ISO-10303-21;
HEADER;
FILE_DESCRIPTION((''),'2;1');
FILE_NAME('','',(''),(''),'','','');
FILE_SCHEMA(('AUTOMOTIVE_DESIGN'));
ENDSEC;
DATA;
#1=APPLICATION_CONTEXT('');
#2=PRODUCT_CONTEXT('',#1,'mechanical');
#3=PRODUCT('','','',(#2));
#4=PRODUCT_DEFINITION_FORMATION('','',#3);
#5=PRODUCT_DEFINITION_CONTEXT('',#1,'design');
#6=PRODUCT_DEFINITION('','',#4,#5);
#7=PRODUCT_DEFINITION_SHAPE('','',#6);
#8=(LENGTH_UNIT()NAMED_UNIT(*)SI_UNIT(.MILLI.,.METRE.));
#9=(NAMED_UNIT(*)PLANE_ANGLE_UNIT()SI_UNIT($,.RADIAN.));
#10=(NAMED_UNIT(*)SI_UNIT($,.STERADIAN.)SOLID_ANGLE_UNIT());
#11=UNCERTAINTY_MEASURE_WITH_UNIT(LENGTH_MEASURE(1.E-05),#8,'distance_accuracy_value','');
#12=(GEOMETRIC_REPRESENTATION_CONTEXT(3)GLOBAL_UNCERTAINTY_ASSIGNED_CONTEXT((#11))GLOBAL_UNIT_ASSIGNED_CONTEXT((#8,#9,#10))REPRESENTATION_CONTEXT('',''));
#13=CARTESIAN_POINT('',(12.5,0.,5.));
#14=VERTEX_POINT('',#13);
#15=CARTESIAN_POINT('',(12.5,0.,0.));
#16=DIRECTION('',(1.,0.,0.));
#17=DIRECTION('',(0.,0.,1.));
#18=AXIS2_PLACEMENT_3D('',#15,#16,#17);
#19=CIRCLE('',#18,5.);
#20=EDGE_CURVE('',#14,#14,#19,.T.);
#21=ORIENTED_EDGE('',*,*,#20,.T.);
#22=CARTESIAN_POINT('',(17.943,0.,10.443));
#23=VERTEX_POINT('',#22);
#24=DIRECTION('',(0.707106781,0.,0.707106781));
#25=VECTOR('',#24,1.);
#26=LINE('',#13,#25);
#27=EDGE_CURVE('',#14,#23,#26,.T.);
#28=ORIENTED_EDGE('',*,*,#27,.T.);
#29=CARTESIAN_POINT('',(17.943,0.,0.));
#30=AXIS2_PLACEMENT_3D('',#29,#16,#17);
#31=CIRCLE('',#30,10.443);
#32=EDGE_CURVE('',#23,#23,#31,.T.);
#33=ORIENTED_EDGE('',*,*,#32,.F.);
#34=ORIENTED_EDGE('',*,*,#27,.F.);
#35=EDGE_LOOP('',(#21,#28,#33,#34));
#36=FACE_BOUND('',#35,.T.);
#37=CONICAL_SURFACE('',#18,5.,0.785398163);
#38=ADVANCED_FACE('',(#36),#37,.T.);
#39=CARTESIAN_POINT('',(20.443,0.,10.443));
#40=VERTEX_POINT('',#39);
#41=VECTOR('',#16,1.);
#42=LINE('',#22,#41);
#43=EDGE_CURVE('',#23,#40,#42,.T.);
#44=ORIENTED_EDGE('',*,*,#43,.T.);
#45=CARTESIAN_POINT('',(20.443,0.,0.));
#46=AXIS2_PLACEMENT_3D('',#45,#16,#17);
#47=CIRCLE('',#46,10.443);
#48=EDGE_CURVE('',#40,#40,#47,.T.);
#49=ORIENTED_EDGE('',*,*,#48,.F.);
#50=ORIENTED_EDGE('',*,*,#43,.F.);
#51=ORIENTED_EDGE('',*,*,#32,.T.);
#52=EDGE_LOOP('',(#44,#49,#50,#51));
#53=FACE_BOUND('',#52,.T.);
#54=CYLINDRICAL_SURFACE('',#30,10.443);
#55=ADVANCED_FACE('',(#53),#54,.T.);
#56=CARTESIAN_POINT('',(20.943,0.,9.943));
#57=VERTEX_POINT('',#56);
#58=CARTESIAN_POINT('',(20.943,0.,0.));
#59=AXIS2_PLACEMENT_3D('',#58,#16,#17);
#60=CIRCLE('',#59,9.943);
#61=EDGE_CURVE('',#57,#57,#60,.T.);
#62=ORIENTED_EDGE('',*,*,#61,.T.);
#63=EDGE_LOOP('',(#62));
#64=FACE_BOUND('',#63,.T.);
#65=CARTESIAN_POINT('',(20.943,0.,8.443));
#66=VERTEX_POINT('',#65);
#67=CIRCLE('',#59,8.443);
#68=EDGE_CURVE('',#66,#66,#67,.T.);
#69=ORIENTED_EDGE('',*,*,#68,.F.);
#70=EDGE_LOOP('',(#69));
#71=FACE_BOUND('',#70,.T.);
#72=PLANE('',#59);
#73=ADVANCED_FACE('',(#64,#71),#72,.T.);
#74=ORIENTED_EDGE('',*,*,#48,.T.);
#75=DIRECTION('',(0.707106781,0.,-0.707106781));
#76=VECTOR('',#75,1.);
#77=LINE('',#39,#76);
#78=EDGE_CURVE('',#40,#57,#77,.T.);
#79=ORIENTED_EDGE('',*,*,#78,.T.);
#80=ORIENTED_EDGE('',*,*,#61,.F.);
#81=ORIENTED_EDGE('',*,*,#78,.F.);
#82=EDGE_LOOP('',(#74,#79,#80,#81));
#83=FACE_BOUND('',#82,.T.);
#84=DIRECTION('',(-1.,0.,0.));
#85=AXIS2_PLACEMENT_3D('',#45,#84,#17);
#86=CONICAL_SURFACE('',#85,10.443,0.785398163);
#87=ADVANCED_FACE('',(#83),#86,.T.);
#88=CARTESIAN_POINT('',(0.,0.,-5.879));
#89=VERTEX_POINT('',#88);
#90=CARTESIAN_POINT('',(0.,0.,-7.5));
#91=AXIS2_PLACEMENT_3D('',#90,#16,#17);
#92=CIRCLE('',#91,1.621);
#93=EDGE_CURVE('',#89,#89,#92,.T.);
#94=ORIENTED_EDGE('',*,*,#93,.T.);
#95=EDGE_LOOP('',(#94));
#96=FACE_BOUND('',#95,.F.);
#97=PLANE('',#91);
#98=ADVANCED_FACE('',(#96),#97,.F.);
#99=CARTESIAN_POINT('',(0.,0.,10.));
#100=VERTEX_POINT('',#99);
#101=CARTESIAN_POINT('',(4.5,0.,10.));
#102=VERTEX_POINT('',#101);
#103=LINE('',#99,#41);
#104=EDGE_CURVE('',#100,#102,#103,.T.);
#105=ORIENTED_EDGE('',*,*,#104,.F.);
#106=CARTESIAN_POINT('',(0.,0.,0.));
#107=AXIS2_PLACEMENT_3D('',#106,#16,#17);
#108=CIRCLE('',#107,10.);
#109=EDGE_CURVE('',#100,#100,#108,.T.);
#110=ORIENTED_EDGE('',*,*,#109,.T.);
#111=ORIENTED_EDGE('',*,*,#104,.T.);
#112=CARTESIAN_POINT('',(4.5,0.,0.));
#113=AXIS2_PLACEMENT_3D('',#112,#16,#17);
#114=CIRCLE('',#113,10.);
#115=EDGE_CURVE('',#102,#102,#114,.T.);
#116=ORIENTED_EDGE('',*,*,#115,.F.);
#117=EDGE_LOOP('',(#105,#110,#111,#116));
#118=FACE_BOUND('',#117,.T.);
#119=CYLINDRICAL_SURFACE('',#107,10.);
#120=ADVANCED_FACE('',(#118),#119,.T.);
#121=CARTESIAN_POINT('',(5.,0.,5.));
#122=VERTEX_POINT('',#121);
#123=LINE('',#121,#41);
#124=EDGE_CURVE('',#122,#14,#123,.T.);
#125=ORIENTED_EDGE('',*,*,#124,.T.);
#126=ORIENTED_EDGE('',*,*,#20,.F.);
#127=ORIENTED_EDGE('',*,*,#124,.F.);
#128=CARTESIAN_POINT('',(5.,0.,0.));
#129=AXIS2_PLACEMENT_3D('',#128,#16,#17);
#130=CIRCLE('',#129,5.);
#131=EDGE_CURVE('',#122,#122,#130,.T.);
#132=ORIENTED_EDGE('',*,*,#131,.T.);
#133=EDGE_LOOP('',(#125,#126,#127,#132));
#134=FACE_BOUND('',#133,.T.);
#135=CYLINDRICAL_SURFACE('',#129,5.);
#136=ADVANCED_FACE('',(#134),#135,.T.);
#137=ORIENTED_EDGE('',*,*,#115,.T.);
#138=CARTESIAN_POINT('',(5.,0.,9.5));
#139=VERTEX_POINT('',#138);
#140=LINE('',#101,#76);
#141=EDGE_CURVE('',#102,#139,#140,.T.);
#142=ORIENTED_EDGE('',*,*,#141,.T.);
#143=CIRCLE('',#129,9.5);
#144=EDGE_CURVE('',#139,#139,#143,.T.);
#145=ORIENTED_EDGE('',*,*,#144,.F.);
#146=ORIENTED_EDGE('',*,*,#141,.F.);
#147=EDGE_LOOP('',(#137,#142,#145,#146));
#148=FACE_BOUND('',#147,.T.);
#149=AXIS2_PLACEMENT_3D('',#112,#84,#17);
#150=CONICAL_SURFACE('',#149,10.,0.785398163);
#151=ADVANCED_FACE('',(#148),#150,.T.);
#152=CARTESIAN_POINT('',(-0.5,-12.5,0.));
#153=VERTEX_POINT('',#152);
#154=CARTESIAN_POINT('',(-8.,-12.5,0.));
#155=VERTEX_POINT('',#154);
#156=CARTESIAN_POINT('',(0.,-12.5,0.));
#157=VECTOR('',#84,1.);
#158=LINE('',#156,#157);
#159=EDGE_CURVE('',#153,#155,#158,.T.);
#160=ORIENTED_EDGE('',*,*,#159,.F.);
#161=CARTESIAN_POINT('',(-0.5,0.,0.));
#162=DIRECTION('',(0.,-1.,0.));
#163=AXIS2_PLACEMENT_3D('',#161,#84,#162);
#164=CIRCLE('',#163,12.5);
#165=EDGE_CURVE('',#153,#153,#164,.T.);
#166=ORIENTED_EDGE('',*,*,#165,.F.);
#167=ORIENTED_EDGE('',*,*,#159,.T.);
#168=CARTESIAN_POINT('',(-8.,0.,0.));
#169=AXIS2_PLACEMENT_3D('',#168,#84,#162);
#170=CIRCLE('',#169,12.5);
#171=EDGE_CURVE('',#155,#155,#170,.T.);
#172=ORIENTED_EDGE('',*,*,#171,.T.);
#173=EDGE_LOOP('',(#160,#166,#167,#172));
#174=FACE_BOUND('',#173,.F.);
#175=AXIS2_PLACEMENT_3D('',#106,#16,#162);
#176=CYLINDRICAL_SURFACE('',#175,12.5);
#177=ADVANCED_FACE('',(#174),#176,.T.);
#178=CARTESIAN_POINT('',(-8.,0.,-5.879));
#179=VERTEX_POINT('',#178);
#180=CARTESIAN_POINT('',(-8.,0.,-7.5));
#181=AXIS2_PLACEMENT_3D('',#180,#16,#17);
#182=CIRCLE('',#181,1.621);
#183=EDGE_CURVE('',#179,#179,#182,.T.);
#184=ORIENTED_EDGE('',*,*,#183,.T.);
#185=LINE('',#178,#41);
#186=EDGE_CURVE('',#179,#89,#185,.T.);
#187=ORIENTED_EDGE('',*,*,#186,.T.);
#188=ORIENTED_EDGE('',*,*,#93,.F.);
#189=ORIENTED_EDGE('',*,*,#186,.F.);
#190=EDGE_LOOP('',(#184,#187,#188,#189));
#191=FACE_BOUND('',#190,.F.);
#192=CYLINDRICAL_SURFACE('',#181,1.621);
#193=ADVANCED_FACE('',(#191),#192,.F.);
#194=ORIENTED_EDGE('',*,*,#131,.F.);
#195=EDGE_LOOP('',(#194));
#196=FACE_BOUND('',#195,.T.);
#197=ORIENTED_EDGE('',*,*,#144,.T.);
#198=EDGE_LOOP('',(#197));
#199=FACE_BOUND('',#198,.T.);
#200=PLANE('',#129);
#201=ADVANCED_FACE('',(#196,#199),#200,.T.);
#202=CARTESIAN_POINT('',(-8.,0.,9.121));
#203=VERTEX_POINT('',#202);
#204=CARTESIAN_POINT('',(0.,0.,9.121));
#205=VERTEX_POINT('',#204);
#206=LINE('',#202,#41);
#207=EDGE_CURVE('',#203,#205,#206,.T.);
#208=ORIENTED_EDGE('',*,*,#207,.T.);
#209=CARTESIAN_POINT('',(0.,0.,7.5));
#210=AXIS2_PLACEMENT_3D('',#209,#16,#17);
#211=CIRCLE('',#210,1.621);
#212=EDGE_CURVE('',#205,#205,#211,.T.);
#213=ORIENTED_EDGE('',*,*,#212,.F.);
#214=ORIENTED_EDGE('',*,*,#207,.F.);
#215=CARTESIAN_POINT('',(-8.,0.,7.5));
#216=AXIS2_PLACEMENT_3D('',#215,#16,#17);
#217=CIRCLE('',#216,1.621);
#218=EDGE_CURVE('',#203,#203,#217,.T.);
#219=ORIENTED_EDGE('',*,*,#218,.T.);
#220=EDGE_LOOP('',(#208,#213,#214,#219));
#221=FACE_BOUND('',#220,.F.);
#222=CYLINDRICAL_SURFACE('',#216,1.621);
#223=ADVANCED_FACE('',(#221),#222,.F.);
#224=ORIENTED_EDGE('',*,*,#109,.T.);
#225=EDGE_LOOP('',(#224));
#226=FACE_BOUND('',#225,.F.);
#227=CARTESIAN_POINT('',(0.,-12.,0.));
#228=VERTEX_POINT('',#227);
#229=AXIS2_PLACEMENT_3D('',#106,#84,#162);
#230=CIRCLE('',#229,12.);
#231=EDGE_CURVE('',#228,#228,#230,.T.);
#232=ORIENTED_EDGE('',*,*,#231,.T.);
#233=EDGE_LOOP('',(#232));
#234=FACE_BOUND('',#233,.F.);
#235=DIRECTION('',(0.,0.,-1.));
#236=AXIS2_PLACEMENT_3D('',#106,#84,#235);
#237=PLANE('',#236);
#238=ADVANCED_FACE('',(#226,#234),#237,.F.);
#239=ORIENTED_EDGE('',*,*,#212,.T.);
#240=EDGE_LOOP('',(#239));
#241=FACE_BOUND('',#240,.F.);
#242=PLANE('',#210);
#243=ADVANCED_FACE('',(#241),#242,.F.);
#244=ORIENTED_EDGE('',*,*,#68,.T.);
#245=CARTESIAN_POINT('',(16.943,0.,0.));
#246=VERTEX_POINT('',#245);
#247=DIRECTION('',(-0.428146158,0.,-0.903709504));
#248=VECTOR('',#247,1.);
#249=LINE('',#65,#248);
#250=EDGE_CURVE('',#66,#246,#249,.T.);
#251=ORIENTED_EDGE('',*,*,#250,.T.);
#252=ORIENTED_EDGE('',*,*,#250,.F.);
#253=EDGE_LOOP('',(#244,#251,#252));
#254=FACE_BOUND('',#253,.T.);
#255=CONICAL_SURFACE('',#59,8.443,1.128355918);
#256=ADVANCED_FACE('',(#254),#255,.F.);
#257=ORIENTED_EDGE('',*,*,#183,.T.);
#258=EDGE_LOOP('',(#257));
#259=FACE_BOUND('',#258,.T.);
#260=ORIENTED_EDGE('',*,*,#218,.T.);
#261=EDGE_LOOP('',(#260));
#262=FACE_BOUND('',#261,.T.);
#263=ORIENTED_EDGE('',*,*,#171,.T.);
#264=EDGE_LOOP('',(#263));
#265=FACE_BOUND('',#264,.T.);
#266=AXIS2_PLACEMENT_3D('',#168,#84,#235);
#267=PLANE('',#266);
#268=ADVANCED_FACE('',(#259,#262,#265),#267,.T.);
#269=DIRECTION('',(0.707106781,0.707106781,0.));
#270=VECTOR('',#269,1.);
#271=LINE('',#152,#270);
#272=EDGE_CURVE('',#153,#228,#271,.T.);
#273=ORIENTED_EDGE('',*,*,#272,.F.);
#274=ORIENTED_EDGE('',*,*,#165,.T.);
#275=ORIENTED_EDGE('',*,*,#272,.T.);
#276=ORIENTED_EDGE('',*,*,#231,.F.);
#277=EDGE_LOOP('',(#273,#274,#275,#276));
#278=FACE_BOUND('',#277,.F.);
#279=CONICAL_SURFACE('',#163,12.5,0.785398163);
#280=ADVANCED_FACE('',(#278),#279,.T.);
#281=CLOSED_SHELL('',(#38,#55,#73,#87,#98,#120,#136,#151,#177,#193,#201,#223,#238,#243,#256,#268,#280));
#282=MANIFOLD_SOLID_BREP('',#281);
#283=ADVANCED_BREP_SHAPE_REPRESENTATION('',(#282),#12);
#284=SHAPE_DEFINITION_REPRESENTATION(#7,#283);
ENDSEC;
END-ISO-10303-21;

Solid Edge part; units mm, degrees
sketch "Sketch1" plane through (0, 0, 0) normal (0, -1, 0) x (1, 0, 0)
  line L0 (0, 10) -> (5, 10)
  line L1 (5, 10) -> (5, 5)
  line L2 (5, 5) -> (12.5, 5)
  line L3 (12.5, 5) -> (17.943, 10.443)
  line L4 (17.943, 10.443) -> (20.943, 10.443)
  line L5 (20.943, 10.443) -> (20.943, 8.443)
  line L6 (20.943, 8.443) -> (16.943, 0)
  line L7 (16.943, 0) -> (0, 0)
  line L8 (0, 0) -> (0, 10)
  dimension "D1" = 10
  dimension "D2" = 5
  dimension "D3" = 5
  dimension "D4" = 7.5
  dimension "D5" = 3
  dimension "D6" = 2
  dimension "D7" = 4
  dimension "D8" = 20.943
  dimension "D9" = 10.443
revolve "RevolvedProtrusion1" add sketch "Sketch1" angle 360 about axis through (-60, 0, 0) along (1, 0, 0)
sketch "Sketch2" plane through (0, 0, 0) normal (-1, 0, 0) x (0, -1, 0)
  circle A0 centre (0, 0) radius 12.5
  dimension "D1" = 25
extrude "Protrusion1" add sketch "Sketch2" along normal blind 8
hole "Bohrung_1" at (-8, 0, 7.5) direction (1, 0, 0) diameter 3.242 depth 8
hole "Hole1" at (-8, 0, -7.5) direction (1, 0, 0) diameter 3.242 depth 8
chamfer "Fase_1" distance 0.5 angle 45 1 edges at (0, 12.5, 0)
chamfer "Fase_2" distance 0.5 angle 45 1 edges at (5, 0, -10)
chamfer "Fase_3" distance 0.5 angle 45 1 edges at (20.943, 0, -10.443)
